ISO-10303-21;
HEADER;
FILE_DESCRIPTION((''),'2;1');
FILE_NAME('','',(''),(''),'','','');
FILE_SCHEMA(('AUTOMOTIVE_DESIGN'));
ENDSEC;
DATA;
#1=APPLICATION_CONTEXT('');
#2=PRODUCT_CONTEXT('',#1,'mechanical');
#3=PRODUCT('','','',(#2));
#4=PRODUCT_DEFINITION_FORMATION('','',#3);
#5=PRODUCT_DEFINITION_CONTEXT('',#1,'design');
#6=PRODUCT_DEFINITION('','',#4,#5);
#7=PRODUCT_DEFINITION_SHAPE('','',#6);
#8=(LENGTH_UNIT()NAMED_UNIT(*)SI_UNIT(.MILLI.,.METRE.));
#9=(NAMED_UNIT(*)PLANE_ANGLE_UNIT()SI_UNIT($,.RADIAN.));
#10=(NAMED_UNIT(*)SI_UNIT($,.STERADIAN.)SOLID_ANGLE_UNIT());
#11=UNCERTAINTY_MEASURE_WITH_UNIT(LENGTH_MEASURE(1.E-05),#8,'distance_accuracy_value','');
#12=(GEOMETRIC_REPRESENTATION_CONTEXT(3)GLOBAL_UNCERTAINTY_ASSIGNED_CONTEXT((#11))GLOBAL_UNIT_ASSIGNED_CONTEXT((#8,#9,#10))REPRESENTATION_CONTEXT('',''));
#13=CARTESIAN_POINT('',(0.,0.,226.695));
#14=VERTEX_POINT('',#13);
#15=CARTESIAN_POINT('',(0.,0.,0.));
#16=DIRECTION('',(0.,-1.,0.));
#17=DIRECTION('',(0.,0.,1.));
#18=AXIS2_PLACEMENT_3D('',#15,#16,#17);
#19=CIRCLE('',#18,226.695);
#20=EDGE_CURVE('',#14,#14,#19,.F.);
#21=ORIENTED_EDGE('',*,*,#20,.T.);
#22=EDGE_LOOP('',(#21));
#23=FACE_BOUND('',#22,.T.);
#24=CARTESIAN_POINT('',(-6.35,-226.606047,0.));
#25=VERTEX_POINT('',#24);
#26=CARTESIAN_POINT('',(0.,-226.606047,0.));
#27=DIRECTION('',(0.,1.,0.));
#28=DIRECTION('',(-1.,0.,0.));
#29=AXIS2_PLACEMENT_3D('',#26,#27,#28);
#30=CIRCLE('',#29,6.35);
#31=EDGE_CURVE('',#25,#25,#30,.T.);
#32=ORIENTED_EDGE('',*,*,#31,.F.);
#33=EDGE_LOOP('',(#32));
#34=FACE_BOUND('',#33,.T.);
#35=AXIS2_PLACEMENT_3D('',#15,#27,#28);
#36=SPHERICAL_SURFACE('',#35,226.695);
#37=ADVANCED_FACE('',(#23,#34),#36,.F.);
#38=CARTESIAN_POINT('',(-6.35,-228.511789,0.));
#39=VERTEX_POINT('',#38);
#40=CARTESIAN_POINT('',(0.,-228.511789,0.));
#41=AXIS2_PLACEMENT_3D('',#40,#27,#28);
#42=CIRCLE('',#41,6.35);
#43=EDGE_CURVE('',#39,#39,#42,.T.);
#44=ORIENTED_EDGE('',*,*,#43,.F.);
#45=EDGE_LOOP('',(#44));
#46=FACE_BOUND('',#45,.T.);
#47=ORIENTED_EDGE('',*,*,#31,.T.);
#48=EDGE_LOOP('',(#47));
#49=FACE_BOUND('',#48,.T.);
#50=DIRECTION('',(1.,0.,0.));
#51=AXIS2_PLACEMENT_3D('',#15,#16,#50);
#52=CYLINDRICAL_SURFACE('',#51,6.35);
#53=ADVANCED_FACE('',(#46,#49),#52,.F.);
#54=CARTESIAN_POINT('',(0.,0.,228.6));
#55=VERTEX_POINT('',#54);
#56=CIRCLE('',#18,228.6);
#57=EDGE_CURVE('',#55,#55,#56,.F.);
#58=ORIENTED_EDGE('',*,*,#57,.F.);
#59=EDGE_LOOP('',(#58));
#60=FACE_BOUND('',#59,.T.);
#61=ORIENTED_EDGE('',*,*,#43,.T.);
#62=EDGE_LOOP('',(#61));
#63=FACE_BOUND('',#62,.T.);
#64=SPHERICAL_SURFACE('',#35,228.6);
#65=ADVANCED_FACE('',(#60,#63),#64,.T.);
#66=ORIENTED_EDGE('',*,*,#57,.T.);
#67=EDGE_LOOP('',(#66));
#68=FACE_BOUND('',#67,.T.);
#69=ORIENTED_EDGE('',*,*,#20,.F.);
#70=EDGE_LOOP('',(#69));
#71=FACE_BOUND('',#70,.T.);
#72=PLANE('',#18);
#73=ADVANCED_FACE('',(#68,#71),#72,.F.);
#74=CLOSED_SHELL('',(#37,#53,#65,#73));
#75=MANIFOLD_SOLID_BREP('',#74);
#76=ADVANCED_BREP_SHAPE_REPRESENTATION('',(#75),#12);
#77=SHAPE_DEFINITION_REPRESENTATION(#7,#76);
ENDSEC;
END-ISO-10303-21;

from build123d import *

# Parameters (mm, degrees)
REVOLVE1_ANGLE     = 180
SKETCH2_R          = 6.35
CUT_EXTRUDE1_DEPTH = 396.94681461


with BuildPart() as part:
    # Sketch1 → Revolve1 (revolve)
    with BuildSketch(Plane(origin=(0, 0, 0), x_dir=(1, 0, 0), z_dir=(0, 1, 0))):
        with BuildLine():
            ThreePointArc((0, 228.6), (228.6, 0), (0, -228.6))
            Line((0, -228.6), (0, -226.695))
            ThreePointArc((0, -226.695), (226.695, 0), (0, 226.695))
            Line((0, 226.695), (0, 228.6))
        make_face()
    revolve(axis=Axis((0, 0, 226.695), (0, 0, -1)), revolution_arc=REVOLVE1_ANGLE)

    # Sketch2 → Cut-Extrude1 (cut, through all)
    with BuildSketch(Plane(origin=(0, -228.6, 0), x_dir=(-1, 0, 0), z_dir=(0, -1, 0))):
        Circle(SKETCH2_R)
    extrude(amount=-CUT_EXTRUDE1_DEPTH, mode=Mode.SUBTRACT)


solid = part.part
